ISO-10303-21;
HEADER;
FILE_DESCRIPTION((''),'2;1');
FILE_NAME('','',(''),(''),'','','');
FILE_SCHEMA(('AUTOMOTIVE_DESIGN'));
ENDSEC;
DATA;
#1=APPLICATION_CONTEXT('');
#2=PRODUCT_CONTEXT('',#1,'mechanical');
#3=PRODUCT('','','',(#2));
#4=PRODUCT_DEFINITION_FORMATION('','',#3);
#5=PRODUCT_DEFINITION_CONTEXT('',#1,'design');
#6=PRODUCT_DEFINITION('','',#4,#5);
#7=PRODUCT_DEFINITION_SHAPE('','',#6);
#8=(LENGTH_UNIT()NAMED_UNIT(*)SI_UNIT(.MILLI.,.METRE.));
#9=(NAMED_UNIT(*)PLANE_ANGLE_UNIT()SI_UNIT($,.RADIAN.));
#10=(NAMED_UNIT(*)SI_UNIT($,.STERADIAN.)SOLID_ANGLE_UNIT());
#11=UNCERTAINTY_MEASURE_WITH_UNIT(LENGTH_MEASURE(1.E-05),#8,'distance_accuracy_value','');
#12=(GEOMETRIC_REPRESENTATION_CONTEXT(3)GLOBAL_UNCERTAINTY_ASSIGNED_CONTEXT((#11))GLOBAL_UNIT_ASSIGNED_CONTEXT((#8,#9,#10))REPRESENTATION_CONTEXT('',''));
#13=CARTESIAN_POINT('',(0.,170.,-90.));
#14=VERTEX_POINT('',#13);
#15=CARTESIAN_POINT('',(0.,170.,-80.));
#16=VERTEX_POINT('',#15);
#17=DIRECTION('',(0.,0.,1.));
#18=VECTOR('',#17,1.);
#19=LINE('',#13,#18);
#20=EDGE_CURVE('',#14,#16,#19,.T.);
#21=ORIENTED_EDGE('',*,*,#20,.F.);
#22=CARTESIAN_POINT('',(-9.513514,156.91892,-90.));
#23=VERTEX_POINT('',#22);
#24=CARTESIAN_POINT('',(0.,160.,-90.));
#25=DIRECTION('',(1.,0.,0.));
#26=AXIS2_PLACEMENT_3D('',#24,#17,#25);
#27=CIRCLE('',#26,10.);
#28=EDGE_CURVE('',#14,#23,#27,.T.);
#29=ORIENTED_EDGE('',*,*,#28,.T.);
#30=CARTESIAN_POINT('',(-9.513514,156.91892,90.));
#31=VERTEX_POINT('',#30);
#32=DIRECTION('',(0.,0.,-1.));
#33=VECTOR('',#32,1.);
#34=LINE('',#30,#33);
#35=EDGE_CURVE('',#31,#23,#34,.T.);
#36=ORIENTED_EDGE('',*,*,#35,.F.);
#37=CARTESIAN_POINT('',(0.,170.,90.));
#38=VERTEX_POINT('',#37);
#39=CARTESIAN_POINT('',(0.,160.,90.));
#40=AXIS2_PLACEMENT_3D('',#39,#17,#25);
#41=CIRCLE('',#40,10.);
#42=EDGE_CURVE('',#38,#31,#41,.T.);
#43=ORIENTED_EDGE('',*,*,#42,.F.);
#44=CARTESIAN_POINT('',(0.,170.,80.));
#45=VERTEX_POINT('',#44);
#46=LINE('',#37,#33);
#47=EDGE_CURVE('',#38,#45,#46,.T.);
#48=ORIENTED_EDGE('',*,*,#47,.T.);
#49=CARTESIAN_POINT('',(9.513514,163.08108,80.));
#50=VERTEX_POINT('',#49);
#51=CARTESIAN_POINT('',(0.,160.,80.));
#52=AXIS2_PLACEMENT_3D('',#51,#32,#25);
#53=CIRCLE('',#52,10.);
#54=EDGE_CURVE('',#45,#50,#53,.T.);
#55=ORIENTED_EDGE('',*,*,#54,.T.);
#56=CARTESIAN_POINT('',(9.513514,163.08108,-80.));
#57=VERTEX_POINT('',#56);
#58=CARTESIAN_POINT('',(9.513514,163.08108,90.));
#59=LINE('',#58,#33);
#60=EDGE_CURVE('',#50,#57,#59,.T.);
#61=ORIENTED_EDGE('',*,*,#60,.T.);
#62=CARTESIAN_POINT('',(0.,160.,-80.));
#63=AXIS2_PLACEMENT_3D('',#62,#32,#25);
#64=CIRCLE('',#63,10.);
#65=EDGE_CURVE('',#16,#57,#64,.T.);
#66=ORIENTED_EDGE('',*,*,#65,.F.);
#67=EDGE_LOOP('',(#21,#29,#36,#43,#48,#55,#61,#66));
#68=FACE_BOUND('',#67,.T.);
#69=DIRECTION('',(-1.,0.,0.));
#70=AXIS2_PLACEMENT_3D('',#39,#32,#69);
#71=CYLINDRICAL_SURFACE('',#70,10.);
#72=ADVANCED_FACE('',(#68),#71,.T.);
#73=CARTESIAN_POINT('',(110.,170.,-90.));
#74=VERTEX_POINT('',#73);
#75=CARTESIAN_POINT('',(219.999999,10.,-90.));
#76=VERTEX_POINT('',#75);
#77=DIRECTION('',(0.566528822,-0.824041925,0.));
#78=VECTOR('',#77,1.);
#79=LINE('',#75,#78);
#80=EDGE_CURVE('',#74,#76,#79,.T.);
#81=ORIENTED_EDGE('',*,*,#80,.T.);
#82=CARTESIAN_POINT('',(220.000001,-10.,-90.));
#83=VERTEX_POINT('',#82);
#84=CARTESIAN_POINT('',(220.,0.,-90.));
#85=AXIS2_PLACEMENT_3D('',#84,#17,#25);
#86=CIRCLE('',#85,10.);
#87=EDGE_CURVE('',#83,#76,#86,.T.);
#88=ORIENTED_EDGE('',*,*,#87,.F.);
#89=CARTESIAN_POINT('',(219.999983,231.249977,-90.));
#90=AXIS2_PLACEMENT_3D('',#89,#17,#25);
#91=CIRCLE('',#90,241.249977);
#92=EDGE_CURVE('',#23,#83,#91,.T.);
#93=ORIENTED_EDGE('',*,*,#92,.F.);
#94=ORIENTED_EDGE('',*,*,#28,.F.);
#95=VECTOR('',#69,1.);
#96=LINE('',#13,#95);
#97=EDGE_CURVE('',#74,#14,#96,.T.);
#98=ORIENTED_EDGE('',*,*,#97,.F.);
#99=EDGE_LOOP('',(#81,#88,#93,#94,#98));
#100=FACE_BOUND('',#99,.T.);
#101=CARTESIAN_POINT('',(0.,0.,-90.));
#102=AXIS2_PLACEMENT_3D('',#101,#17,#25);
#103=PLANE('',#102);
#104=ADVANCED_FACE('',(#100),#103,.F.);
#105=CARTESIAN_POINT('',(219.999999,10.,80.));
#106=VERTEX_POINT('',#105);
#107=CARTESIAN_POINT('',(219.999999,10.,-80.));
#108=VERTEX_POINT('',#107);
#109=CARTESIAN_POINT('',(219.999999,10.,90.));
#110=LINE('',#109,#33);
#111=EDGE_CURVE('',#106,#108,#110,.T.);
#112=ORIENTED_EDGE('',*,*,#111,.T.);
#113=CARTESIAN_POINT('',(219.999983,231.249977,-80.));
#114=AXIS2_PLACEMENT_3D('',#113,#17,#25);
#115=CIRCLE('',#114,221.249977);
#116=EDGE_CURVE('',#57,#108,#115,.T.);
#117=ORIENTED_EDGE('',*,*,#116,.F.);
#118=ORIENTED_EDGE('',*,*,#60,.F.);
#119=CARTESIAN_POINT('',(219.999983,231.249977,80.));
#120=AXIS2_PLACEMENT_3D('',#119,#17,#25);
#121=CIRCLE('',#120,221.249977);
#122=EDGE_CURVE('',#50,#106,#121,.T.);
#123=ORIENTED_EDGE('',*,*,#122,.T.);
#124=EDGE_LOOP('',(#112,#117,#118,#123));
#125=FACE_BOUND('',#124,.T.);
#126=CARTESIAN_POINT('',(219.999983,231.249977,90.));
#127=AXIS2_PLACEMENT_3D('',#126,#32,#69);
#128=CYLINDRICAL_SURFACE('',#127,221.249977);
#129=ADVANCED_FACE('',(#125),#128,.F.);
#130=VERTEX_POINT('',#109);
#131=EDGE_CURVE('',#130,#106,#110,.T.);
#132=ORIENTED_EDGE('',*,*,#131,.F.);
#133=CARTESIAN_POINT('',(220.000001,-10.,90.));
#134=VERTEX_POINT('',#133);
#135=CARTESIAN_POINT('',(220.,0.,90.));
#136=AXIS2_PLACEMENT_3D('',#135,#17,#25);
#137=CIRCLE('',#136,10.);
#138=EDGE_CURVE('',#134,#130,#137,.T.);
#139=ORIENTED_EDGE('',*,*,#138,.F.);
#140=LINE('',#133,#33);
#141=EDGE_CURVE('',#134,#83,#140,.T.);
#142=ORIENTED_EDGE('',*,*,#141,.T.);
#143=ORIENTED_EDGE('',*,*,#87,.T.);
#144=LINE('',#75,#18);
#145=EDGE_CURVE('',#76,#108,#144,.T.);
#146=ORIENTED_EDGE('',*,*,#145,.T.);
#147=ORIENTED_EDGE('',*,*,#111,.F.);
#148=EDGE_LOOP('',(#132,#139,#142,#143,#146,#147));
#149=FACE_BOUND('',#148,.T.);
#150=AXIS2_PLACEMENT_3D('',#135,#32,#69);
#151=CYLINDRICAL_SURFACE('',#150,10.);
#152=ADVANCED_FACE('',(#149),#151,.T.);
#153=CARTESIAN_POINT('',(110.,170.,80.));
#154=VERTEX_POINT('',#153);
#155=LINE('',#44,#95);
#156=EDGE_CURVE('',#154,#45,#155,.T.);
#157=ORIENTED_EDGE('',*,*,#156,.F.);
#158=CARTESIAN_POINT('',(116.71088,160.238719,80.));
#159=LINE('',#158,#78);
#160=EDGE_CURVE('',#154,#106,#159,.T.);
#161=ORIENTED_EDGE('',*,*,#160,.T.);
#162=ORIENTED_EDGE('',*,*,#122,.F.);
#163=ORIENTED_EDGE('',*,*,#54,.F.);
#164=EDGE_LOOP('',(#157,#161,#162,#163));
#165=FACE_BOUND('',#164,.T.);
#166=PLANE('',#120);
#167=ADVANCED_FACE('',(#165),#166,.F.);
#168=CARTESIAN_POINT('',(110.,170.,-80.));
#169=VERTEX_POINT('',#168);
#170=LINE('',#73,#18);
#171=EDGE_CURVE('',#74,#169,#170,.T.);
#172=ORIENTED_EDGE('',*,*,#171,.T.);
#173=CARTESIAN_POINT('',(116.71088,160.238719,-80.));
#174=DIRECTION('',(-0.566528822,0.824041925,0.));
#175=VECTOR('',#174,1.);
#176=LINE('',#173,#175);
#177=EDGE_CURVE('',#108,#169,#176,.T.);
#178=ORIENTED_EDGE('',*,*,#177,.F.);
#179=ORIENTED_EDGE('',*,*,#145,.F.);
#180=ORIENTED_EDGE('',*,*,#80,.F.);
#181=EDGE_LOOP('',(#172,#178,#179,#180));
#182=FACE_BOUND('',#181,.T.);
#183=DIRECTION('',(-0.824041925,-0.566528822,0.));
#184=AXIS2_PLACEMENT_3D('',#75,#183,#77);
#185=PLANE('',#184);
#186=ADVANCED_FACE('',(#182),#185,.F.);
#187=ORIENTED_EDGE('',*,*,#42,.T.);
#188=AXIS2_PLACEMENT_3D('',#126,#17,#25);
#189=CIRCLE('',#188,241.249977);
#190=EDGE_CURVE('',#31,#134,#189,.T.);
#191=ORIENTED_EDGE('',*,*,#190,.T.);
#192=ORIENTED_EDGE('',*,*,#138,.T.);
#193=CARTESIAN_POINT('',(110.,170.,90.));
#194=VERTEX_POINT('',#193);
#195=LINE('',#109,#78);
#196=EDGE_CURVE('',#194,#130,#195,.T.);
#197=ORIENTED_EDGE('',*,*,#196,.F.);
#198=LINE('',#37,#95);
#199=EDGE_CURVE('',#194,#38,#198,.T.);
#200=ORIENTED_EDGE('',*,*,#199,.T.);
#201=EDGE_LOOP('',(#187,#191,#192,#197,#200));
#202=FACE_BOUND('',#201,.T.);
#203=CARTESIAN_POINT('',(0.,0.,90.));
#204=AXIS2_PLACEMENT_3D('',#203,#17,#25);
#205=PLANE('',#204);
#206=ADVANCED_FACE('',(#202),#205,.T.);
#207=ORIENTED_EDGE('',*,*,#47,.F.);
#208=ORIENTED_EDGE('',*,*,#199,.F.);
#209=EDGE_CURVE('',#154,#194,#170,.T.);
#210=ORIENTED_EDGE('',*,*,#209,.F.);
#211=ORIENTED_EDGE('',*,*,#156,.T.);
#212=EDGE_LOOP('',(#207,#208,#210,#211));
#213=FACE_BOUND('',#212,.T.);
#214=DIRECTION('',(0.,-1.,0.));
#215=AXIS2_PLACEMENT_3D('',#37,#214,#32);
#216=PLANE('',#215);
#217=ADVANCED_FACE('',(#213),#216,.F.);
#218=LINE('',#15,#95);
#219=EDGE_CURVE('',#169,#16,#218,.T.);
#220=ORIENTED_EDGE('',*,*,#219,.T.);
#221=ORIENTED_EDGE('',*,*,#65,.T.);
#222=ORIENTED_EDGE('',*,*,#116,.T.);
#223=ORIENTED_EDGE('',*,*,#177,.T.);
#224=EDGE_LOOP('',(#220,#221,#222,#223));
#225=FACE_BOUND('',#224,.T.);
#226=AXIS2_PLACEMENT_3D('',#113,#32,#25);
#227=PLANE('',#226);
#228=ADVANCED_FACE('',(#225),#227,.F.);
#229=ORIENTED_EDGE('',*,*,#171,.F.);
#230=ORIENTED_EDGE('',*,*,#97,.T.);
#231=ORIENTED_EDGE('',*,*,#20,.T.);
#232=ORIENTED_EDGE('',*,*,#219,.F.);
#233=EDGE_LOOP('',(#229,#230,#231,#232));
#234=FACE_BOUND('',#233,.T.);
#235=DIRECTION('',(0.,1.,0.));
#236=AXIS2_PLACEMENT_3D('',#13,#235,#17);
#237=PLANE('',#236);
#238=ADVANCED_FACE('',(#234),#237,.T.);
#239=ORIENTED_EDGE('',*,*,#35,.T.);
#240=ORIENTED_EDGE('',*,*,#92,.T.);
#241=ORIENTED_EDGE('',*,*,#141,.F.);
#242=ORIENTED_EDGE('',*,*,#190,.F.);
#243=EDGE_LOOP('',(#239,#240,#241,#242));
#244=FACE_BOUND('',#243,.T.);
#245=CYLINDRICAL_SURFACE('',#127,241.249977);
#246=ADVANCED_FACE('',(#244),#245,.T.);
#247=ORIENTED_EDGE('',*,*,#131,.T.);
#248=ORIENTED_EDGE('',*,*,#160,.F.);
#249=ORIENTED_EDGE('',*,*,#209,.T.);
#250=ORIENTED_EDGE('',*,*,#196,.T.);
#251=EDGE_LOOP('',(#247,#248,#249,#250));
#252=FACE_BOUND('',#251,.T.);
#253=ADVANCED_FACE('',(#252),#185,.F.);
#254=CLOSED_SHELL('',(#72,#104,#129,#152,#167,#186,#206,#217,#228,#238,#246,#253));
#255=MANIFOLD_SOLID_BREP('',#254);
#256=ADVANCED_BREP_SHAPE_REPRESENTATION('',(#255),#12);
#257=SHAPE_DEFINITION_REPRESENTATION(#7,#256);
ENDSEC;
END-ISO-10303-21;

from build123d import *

# Parameters (mm, degrees)
BASE_DEPTH         = 90
WALL_DEPTH         = 10
CUT_EXTRUDE2_DEPTH = 181


with BuildPart() as part:
    # Sketch1 → Base (new body, symmetric)
    with BuildSketch(Plane.XY):
        with BuildLine():
            ThreePointArc((-9.513513741, 156.91891962), (78.103574675, 36.142415178), (220.000000737, -10))
            ThreePointArc((220.000000737, -10), (230, 7.37e-07), (219.999999263, 10))
            ThreePointArc((219.999999263, 10), (89.867008629, 52.317136864), (9.513513741, 163.08108038))
            ThreePointArc((9.513513741, 163.08108038), (-3.08108038, 169.513513741), (-9.513513741, 156.91891962))
        make_face()
    extrude(amount=BASE_DEPTH, both=True)

    # Sketch3 → Wall (add)
    with BuildSketch(Plane.XY.offset(80)):
        with BuildLine():
            Line((0, 170), (219.999999263, 170))
            Line((219.999999263, 170), (219.999999263, 10))
            ThreePointArc((219.999999263, 10), (89.867008629, 52.317136864), (9.513513741, 163.08108038))
            ThreePointArc((9.513513741, 163.08108038), (5.881717275, 168.087360626), (0, 170))
        make_face()
    wall = extrude(amount=WALL_DEPTH)

    # Mirror4: Wall across plane
    add(wall.mirror(Plane(origin=(0, 0, 0), x_dir=(1, 0, 0), z_dir=(0, 0, -1))))

    # Sketch5 → Cut-Extrude2 (cut, through all)
    with BuildSketch(Plane.XY.offset(90)):
        Polygon((219.999999263, 10), (109.999999631, 170), (219.999999263, 170), align=None)
    extrude(amount=-CUT_EXTRUDE2_DEPTH, mode=Mode.SUBTRACT)


solid = part.part
